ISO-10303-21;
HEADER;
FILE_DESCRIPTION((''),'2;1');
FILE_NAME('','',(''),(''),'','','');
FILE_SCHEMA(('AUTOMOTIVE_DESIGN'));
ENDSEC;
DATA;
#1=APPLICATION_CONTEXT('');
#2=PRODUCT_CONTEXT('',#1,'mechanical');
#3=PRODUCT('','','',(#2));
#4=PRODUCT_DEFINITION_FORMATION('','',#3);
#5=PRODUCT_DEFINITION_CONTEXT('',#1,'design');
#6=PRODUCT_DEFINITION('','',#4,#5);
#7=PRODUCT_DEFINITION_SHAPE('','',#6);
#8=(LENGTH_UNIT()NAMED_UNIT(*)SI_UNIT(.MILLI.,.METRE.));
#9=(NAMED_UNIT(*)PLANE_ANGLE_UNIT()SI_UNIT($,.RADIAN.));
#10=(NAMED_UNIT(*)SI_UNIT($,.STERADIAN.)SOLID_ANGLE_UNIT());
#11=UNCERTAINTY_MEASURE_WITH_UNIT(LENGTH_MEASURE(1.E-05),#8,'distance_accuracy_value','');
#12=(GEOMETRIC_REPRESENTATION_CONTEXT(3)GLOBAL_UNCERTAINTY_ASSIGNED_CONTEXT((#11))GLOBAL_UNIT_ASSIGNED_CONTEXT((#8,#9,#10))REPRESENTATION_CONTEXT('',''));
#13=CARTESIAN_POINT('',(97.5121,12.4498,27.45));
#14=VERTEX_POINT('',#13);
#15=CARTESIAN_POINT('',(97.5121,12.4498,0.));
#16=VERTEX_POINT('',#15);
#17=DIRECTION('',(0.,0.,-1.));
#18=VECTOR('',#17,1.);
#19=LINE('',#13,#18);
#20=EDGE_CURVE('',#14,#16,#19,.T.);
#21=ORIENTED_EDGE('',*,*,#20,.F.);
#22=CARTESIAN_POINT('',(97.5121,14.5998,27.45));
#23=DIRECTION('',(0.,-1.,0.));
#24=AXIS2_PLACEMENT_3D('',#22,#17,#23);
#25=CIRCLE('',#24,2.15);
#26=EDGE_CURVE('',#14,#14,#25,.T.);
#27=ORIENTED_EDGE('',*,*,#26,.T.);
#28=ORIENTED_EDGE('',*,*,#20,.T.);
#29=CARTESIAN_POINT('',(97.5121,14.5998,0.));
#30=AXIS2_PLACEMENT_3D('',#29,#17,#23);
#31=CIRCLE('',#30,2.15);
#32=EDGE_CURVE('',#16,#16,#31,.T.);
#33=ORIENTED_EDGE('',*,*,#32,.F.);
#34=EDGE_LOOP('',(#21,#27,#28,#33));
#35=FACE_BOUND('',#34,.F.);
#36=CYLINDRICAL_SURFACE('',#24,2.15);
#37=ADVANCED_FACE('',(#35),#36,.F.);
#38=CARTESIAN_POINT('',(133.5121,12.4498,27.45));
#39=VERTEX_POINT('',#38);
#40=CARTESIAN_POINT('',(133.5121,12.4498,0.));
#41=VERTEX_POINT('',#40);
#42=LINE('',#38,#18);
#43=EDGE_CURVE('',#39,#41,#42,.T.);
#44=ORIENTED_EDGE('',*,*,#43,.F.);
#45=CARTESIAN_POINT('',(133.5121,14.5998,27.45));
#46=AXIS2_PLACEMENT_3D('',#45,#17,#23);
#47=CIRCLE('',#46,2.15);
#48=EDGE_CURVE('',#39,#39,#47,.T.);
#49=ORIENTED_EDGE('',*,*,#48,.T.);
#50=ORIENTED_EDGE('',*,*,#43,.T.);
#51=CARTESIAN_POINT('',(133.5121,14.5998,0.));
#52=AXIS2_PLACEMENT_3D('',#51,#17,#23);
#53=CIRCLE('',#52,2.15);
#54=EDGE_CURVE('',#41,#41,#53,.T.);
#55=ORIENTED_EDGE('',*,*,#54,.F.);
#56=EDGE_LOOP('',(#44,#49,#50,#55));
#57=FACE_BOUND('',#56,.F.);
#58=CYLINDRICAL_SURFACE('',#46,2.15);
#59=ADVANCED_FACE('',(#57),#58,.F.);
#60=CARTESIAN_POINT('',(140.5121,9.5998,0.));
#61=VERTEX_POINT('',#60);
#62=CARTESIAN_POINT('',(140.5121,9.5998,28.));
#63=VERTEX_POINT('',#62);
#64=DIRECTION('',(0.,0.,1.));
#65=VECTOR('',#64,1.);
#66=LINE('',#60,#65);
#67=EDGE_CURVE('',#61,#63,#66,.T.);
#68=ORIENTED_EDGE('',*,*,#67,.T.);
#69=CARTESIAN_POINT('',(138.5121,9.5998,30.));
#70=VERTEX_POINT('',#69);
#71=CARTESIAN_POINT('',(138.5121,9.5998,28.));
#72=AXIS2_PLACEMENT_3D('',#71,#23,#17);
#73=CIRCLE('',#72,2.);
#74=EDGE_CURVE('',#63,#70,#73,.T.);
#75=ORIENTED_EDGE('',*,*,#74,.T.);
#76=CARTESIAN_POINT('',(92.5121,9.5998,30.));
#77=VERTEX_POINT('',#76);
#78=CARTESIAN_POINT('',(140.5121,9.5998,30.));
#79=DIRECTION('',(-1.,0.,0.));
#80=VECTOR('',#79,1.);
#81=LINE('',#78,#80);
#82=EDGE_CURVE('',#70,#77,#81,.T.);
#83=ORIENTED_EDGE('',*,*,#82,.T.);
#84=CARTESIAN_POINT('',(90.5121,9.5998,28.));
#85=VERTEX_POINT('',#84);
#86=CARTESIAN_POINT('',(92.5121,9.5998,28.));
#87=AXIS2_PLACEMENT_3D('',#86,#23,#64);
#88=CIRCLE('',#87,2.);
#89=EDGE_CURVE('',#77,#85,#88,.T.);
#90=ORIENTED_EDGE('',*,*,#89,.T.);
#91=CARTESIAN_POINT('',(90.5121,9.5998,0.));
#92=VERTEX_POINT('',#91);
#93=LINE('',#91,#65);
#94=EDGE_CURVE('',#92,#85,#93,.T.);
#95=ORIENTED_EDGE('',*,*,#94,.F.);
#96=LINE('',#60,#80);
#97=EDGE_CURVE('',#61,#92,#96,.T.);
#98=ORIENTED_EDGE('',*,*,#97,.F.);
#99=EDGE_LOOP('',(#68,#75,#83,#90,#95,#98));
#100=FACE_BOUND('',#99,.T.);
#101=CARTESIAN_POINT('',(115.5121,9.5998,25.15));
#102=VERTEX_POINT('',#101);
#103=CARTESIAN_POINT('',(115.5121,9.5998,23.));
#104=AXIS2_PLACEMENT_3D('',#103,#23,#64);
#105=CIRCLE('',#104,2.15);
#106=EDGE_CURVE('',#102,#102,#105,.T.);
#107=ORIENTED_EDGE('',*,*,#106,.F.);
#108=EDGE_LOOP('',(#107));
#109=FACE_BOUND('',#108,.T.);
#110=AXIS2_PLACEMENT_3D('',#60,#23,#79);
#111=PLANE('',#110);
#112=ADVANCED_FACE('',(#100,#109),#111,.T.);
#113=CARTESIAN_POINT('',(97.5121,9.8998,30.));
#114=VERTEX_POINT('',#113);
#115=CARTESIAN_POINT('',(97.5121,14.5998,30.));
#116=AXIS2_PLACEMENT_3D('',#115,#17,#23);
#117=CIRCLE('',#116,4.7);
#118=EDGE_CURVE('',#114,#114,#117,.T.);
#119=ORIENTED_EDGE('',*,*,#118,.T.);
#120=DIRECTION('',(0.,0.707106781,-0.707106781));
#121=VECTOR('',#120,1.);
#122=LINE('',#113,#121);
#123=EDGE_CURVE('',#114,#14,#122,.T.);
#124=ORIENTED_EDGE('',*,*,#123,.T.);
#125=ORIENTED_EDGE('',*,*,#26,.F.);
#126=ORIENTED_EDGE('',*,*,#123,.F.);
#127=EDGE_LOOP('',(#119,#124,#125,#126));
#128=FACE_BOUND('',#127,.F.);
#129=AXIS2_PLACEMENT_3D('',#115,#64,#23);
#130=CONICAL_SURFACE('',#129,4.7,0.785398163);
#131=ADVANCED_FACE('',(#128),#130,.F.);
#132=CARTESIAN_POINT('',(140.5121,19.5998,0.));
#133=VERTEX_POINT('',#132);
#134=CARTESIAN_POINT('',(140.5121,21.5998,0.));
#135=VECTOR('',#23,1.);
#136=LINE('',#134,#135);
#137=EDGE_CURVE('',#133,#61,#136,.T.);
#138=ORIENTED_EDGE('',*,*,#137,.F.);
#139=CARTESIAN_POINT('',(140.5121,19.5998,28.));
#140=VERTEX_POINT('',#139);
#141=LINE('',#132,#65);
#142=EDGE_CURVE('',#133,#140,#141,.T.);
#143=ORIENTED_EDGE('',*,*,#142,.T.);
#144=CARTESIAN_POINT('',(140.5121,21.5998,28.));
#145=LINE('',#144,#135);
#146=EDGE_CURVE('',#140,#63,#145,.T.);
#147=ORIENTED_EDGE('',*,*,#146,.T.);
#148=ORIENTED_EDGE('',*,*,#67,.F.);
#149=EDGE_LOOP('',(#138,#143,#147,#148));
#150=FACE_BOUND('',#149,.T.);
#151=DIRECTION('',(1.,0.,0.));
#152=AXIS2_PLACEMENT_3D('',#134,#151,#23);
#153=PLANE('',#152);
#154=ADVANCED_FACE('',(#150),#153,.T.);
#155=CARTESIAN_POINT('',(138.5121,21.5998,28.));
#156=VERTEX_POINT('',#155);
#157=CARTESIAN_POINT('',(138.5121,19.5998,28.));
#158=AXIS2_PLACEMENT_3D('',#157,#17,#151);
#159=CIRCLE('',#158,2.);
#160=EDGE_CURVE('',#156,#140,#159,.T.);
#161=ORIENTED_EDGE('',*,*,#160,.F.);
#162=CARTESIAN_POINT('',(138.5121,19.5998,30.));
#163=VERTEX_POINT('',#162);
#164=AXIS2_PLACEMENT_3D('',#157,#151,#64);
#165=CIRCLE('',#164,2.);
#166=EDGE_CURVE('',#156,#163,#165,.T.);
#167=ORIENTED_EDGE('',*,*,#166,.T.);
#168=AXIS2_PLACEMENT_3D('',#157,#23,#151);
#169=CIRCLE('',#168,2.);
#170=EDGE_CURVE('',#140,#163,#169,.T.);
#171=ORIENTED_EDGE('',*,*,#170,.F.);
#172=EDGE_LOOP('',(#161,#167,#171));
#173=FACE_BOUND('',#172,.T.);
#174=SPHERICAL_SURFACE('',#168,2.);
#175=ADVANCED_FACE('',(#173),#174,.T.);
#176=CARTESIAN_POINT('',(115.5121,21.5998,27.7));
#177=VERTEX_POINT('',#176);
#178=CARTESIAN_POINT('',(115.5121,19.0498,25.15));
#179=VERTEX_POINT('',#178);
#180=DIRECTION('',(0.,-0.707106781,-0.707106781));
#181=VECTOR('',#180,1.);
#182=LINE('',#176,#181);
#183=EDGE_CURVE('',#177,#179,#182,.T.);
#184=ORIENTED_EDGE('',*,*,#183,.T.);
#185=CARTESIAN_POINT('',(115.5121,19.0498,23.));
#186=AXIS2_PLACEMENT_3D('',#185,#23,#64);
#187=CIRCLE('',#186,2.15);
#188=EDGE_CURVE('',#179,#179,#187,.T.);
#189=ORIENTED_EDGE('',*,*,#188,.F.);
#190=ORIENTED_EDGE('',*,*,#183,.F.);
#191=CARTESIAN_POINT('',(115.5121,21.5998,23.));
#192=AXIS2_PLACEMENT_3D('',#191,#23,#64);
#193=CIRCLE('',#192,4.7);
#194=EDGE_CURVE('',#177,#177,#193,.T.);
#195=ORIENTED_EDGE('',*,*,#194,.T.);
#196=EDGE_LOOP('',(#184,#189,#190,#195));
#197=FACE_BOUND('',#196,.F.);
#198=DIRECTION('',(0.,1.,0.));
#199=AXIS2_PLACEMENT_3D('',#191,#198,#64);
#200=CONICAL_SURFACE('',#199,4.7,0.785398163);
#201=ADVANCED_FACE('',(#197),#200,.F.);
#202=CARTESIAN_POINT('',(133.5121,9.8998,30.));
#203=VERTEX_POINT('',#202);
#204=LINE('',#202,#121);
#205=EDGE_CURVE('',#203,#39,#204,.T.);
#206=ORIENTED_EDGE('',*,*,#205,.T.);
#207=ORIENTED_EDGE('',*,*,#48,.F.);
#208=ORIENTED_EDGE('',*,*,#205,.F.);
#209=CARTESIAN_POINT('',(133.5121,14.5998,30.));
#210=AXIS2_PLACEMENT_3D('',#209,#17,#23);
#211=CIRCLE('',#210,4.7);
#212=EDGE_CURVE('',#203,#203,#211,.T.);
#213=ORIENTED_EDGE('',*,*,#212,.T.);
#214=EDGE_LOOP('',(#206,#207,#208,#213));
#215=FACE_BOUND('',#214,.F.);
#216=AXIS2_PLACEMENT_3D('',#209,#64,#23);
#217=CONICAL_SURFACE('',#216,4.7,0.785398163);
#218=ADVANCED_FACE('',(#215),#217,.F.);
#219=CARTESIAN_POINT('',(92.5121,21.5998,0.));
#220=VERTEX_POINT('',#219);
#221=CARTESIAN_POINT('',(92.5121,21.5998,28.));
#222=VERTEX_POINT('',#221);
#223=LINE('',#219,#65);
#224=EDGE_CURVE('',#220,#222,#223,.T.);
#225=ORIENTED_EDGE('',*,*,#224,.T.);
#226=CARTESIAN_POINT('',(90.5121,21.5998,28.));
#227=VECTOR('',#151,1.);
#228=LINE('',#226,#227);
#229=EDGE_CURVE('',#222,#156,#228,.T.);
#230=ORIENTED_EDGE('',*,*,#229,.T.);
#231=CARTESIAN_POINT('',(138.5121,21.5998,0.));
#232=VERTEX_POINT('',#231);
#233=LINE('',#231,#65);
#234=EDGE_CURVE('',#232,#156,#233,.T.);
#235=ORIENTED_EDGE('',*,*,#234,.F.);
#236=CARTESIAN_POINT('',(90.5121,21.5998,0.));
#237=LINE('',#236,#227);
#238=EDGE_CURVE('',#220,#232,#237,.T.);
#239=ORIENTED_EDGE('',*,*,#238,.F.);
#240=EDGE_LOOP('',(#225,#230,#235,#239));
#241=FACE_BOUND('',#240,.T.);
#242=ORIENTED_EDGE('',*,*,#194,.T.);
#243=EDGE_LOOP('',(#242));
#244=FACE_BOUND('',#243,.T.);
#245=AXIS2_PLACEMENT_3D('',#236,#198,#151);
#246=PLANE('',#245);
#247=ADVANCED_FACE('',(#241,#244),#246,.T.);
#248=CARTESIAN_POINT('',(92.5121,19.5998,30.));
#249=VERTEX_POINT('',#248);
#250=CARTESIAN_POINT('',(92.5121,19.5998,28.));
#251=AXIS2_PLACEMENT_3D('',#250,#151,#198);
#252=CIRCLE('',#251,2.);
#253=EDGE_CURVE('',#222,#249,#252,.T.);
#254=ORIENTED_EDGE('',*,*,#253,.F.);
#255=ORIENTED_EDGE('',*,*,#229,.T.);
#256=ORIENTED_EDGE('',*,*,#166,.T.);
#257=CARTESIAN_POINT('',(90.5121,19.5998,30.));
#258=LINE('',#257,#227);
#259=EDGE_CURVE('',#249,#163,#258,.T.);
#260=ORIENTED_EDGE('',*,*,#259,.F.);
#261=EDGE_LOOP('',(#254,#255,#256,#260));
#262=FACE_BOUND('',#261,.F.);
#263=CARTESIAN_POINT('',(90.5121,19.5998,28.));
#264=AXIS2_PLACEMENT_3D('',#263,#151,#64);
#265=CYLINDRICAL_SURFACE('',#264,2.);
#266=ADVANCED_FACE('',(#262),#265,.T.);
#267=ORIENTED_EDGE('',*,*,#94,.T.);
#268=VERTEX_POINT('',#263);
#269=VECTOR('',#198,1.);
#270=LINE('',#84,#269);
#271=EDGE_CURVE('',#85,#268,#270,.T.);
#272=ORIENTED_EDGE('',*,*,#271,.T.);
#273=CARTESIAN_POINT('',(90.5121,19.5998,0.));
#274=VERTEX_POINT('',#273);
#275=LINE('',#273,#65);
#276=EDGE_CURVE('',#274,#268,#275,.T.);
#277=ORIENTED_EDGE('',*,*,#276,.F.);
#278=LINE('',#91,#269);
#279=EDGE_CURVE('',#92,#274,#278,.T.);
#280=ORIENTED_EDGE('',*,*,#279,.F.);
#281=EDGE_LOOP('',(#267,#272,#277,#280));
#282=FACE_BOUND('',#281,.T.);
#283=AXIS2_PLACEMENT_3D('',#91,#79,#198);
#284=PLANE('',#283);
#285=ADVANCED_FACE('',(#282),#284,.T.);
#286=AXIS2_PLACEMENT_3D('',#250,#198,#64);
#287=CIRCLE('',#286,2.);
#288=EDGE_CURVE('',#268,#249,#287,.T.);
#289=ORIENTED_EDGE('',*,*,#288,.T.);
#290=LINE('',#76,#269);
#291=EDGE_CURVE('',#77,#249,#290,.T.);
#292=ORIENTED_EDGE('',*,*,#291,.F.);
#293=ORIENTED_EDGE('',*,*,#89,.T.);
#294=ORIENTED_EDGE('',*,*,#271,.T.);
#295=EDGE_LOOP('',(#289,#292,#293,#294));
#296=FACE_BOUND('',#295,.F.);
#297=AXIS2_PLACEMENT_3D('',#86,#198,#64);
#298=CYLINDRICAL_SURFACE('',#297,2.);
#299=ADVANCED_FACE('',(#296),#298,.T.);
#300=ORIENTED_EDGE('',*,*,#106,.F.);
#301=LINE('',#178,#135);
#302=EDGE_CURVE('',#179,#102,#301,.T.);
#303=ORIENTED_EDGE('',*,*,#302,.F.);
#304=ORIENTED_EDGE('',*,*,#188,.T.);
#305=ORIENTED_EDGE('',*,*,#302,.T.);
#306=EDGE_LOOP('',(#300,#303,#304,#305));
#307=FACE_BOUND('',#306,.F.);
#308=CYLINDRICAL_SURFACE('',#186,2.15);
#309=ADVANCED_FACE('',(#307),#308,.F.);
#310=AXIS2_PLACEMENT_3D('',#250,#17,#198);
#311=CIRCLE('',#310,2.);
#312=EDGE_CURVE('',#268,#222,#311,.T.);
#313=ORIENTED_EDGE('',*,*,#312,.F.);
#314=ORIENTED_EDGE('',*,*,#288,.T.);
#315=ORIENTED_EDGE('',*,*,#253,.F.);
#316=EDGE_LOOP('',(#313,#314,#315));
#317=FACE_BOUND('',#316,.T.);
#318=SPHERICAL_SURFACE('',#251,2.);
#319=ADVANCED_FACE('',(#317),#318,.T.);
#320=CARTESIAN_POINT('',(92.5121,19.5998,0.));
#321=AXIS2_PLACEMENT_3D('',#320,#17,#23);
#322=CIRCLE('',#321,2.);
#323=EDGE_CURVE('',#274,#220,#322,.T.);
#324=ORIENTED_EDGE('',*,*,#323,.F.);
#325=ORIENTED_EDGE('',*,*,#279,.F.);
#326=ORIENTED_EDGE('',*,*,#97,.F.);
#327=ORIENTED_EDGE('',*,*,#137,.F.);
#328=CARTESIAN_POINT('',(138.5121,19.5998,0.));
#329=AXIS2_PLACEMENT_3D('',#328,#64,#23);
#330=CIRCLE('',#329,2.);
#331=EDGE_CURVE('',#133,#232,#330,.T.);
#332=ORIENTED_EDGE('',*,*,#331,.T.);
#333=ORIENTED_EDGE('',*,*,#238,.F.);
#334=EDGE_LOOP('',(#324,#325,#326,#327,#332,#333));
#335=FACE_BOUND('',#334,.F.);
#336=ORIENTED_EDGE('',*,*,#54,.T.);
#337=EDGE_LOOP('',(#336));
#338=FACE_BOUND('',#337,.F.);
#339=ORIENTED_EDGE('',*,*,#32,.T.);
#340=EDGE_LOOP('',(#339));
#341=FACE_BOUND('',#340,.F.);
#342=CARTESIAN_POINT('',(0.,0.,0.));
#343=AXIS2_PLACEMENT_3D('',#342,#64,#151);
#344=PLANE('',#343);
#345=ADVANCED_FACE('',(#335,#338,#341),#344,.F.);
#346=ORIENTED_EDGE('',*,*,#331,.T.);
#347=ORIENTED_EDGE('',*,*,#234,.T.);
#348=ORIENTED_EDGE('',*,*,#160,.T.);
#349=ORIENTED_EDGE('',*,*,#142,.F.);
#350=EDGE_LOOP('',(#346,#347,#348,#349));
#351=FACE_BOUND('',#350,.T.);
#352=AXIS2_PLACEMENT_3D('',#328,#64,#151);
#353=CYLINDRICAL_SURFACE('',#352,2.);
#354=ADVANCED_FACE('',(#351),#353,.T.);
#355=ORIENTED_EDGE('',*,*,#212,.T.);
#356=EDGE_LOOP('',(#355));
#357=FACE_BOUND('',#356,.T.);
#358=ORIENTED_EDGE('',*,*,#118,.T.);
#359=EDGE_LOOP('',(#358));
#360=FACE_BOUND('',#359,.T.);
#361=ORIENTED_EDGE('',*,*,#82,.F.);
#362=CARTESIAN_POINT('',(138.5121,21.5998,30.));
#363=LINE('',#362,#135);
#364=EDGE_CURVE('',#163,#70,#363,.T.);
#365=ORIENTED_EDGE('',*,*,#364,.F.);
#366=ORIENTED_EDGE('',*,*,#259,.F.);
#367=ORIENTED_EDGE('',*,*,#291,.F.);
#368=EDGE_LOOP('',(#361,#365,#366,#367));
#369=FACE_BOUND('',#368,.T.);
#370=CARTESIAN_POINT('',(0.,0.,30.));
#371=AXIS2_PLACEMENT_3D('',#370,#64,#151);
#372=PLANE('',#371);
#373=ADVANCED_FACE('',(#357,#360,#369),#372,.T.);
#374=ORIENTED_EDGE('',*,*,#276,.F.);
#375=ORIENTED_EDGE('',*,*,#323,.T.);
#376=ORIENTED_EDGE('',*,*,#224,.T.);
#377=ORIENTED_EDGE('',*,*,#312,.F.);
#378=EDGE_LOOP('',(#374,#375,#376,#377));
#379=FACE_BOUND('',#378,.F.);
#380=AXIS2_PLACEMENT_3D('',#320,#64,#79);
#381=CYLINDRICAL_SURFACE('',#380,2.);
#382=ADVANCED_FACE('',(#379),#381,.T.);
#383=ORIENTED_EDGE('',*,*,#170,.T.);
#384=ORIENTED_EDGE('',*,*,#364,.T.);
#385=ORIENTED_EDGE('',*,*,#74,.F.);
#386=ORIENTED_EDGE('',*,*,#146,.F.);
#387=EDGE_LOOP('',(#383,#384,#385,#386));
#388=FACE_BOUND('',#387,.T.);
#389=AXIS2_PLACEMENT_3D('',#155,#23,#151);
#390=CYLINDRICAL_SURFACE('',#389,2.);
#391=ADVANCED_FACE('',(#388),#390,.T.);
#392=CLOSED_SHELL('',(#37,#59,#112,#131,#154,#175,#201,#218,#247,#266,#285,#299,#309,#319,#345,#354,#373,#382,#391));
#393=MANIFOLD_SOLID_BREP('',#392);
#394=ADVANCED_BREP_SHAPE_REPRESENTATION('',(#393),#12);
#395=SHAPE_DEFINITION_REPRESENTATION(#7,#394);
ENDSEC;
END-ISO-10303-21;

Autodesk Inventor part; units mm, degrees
ref_plane "YZ Plane" through (0, 0, 0) normal (1, 0, 0) x (0, 1, 0)
ref_plane "XZ Plane" through (0, 0, 0) normal (0, 1, 0) x (-1, 0, 0)
ref_plane "XY Plane" through (0, 0, 0) normal (0, 0, 1) x (1, 0, 0)
sketch "Skizze1" plane through (0, 0, 0) normal (0, 0, 1) x (1, 0, 0)
  line L0 (140.5121, 9.5998) -> (90.5121, 9.5998)
  line L1 (90.5121, 9.5998) -> (90.5121, 21.5998)
  line L2 (90.5121, 21.5998) -> (140.5121, 21.5998)
  line L3 (140.5121, 21.5998) -> (140.5121, 9.5998)
  point P0 (0, 0)
  dimension "d0" = 50
  dimension "d1" = 12
extrude "Extrusion1" add sketch "Skizze1" along normal blind 30
sketch "Skizze2" plane through (0, 0, 30) normal (0, 0, 1) x (1, 0, 0)
  line L0 (140.5121, 9.5998) -> (140.5121, 21.5998) projected
  line L1 (140.5121, 14.5998) -> (133.5121, 14.5998)
  line L2 (133.5121, 14.5998) -> (97.5121, 14.5998)
  line L3 (97.5121, 14.5998) -> (90.5121, 14.5998)
  line L4 (90.5121, 21.5998) -> (90.5121, 9.5998) projected
  line L5 (140.5121, 21.5998) -> (90.5121, 21.5998) projected
  point P0 (0, 0)
  dimension "d4" = 7
  dimension "d12" = 7
hole "Bohrung1" at (133.5121, 14.5998, 30) at (97.5121, 14.5998, 30) direction (0, 0, -1) diameter 4.3 end through all countersink diameter 9.4 countersink angle 90 clearance for "Flachkopfmaschinenschraube" size "M4" standard "ANSI Metrisches M Profil"
sketch "Skizze4" plane through (90.5121, 21.5998, 0) normal (0, 1, 0) x (1, 0, 0)
  line L0 (25, -23) -> (25, -30)
  line L1 (50, -30) -> (0, -30) projected
  point P0 (-90.5121, 0)
  dimension "d37" = 7
hole "Bohrung5" at (115.5121, 21.5998, 23) direction (0, -1, 0) diameter 4.3 end through all countersink diameter 9.4 countersink angle 90 clearance for "Flachkopfmaschinenschraube" size "M4" standard "ANSI Metrisches M Profil"
fillet "Rundung3" radius 2 5 edges at (140.5121, 15.5998, 30) (140.5121, 21.5998, 15) (115.5121, 21.5998, 30) (90.5121, 21.5998, 15) (90.5121, 15.5998, 30)
properties part number "HebelhalterBlock" material "Aluminium 6061(1)"
